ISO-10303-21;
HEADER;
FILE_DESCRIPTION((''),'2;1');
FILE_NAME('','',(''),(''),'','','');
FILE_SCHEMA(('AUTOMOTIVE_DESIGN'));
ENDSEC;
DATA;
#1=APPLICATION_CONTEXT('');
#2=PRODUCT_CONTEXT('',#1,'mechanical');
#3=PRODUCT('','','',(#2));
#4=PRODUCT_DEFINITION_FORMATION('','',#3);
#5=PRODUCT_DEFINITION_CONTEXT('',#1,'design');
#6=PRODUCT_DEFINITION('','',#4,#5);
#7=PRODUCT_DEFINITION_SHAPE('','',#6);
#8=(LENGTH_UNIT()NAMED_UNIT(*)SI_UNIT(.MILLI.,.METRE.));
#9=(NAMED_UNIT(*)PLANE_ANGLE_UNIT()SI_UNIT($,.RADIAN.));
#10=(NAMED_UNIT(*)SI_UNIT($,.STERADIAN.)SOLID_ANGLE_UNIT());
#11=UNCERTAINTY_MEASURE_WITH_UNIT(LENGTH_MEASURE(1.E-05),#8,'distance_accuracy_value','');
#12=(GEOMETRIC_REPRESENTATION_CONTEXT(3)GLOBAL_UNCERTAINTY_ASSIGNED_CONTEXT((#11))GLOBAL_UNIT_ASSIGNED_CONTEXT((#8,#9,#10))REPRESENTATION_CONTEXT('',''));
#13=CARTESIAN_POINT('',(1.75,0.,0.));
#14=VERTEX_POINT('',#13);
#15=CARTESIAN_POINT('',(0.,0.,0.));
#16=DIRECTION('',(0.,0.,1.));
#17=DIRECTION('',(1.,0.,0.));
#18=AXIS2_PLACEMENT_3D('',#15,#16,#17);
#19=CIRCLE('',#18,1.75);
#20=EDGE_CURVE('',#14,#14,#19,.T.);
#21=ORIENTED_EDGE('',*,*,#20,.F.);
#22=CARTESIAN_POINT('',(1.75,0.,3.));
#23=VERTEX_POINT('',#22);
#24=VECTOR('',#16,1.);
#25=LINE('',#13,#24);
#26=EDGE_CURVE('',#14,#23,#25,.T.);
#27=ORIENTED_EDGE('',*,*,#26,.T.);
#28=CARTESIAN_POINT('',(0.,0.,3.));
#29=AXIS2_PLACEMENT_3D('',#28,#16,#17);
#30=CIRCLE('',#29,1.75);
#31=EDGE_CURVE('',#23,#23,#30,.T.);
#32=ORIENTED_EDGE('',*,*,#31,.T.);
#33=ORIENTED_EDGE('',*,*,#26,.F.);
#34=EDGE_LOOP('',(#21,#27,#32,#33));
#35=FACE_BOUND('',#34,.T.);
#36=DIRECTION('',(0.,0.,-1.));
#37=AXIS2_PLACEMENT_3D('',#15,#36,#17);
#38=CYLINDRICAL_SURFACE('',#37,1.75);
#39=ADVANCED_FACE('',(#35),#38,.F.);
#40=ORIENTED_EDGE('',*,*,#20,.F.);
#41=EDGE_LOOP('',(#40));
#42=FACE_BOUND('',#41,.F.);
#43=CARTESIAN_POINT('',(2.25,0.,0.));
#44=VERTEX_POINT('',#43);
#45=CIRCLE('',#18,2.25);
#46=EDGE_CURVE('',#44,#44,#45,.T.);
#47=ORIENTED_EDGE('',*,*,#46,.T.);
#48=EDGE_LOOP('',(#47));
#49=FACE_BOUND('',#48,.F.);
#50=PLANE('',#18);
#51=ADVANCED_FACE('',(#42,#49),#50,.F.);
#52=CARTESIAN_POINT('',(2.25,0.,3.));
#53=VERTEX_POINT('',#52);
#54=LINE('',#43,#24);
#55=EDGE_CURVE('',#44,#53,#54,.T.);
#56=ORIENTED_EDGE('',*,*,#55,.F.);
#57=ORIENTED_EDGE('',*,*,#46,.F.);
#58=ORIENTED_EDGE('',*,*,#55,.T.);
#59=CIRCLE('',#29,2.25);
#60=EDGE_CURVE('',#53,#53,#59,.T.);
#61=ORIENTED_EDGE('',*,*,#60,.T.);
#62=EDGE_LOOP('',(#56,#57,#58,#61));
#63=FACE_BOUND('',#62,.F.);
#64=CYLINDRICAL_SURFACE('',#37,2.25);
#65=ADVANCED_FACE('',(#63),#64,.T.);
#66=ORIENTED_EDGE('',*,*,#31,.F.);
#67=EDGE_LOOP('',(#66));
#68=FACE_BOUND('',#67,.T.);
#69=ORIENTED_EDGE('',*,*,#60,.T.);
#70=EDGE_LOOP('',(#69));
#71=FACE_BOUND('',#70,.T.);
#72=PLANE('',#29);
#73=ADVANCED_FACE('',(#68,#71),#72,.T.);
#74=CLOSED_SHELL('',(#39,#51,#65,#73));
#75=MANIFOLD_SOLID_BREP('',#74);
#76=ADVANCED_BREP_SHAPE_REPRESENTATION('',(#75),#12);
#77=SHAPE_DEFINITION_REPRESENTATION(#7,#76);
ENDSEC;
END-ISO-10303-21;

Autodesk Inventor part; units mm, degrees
ref_plane "YZ Plane" through (0, 0, 0) normal (1, 0, 0) x (0, 1, 0)
ref_plane "XZ Plane" through (0, 0, 0) normal (0, 1, 0) x (-1, 0, 0)
ref_plane "XY Plane" through (0, 0, 0) normal (0, 0, 1) x (1, 0, 0)
sketch "Skizze1" plane through (0, 0, 0) normal (0, 0, 1) x (1, 0, 0)
  circle A0 centre (0, 0) radius 1.75
  circle A1 centre (0, 0) radius 2.25
  dimension "d0" = 3.5
  dimension "d1" = 4.5
extrude "Extrusion1" add sketch "Skizze1" along normal blind 3
properties part number "Abstandshalter 3mm" material "ABS-Kunststoff"
